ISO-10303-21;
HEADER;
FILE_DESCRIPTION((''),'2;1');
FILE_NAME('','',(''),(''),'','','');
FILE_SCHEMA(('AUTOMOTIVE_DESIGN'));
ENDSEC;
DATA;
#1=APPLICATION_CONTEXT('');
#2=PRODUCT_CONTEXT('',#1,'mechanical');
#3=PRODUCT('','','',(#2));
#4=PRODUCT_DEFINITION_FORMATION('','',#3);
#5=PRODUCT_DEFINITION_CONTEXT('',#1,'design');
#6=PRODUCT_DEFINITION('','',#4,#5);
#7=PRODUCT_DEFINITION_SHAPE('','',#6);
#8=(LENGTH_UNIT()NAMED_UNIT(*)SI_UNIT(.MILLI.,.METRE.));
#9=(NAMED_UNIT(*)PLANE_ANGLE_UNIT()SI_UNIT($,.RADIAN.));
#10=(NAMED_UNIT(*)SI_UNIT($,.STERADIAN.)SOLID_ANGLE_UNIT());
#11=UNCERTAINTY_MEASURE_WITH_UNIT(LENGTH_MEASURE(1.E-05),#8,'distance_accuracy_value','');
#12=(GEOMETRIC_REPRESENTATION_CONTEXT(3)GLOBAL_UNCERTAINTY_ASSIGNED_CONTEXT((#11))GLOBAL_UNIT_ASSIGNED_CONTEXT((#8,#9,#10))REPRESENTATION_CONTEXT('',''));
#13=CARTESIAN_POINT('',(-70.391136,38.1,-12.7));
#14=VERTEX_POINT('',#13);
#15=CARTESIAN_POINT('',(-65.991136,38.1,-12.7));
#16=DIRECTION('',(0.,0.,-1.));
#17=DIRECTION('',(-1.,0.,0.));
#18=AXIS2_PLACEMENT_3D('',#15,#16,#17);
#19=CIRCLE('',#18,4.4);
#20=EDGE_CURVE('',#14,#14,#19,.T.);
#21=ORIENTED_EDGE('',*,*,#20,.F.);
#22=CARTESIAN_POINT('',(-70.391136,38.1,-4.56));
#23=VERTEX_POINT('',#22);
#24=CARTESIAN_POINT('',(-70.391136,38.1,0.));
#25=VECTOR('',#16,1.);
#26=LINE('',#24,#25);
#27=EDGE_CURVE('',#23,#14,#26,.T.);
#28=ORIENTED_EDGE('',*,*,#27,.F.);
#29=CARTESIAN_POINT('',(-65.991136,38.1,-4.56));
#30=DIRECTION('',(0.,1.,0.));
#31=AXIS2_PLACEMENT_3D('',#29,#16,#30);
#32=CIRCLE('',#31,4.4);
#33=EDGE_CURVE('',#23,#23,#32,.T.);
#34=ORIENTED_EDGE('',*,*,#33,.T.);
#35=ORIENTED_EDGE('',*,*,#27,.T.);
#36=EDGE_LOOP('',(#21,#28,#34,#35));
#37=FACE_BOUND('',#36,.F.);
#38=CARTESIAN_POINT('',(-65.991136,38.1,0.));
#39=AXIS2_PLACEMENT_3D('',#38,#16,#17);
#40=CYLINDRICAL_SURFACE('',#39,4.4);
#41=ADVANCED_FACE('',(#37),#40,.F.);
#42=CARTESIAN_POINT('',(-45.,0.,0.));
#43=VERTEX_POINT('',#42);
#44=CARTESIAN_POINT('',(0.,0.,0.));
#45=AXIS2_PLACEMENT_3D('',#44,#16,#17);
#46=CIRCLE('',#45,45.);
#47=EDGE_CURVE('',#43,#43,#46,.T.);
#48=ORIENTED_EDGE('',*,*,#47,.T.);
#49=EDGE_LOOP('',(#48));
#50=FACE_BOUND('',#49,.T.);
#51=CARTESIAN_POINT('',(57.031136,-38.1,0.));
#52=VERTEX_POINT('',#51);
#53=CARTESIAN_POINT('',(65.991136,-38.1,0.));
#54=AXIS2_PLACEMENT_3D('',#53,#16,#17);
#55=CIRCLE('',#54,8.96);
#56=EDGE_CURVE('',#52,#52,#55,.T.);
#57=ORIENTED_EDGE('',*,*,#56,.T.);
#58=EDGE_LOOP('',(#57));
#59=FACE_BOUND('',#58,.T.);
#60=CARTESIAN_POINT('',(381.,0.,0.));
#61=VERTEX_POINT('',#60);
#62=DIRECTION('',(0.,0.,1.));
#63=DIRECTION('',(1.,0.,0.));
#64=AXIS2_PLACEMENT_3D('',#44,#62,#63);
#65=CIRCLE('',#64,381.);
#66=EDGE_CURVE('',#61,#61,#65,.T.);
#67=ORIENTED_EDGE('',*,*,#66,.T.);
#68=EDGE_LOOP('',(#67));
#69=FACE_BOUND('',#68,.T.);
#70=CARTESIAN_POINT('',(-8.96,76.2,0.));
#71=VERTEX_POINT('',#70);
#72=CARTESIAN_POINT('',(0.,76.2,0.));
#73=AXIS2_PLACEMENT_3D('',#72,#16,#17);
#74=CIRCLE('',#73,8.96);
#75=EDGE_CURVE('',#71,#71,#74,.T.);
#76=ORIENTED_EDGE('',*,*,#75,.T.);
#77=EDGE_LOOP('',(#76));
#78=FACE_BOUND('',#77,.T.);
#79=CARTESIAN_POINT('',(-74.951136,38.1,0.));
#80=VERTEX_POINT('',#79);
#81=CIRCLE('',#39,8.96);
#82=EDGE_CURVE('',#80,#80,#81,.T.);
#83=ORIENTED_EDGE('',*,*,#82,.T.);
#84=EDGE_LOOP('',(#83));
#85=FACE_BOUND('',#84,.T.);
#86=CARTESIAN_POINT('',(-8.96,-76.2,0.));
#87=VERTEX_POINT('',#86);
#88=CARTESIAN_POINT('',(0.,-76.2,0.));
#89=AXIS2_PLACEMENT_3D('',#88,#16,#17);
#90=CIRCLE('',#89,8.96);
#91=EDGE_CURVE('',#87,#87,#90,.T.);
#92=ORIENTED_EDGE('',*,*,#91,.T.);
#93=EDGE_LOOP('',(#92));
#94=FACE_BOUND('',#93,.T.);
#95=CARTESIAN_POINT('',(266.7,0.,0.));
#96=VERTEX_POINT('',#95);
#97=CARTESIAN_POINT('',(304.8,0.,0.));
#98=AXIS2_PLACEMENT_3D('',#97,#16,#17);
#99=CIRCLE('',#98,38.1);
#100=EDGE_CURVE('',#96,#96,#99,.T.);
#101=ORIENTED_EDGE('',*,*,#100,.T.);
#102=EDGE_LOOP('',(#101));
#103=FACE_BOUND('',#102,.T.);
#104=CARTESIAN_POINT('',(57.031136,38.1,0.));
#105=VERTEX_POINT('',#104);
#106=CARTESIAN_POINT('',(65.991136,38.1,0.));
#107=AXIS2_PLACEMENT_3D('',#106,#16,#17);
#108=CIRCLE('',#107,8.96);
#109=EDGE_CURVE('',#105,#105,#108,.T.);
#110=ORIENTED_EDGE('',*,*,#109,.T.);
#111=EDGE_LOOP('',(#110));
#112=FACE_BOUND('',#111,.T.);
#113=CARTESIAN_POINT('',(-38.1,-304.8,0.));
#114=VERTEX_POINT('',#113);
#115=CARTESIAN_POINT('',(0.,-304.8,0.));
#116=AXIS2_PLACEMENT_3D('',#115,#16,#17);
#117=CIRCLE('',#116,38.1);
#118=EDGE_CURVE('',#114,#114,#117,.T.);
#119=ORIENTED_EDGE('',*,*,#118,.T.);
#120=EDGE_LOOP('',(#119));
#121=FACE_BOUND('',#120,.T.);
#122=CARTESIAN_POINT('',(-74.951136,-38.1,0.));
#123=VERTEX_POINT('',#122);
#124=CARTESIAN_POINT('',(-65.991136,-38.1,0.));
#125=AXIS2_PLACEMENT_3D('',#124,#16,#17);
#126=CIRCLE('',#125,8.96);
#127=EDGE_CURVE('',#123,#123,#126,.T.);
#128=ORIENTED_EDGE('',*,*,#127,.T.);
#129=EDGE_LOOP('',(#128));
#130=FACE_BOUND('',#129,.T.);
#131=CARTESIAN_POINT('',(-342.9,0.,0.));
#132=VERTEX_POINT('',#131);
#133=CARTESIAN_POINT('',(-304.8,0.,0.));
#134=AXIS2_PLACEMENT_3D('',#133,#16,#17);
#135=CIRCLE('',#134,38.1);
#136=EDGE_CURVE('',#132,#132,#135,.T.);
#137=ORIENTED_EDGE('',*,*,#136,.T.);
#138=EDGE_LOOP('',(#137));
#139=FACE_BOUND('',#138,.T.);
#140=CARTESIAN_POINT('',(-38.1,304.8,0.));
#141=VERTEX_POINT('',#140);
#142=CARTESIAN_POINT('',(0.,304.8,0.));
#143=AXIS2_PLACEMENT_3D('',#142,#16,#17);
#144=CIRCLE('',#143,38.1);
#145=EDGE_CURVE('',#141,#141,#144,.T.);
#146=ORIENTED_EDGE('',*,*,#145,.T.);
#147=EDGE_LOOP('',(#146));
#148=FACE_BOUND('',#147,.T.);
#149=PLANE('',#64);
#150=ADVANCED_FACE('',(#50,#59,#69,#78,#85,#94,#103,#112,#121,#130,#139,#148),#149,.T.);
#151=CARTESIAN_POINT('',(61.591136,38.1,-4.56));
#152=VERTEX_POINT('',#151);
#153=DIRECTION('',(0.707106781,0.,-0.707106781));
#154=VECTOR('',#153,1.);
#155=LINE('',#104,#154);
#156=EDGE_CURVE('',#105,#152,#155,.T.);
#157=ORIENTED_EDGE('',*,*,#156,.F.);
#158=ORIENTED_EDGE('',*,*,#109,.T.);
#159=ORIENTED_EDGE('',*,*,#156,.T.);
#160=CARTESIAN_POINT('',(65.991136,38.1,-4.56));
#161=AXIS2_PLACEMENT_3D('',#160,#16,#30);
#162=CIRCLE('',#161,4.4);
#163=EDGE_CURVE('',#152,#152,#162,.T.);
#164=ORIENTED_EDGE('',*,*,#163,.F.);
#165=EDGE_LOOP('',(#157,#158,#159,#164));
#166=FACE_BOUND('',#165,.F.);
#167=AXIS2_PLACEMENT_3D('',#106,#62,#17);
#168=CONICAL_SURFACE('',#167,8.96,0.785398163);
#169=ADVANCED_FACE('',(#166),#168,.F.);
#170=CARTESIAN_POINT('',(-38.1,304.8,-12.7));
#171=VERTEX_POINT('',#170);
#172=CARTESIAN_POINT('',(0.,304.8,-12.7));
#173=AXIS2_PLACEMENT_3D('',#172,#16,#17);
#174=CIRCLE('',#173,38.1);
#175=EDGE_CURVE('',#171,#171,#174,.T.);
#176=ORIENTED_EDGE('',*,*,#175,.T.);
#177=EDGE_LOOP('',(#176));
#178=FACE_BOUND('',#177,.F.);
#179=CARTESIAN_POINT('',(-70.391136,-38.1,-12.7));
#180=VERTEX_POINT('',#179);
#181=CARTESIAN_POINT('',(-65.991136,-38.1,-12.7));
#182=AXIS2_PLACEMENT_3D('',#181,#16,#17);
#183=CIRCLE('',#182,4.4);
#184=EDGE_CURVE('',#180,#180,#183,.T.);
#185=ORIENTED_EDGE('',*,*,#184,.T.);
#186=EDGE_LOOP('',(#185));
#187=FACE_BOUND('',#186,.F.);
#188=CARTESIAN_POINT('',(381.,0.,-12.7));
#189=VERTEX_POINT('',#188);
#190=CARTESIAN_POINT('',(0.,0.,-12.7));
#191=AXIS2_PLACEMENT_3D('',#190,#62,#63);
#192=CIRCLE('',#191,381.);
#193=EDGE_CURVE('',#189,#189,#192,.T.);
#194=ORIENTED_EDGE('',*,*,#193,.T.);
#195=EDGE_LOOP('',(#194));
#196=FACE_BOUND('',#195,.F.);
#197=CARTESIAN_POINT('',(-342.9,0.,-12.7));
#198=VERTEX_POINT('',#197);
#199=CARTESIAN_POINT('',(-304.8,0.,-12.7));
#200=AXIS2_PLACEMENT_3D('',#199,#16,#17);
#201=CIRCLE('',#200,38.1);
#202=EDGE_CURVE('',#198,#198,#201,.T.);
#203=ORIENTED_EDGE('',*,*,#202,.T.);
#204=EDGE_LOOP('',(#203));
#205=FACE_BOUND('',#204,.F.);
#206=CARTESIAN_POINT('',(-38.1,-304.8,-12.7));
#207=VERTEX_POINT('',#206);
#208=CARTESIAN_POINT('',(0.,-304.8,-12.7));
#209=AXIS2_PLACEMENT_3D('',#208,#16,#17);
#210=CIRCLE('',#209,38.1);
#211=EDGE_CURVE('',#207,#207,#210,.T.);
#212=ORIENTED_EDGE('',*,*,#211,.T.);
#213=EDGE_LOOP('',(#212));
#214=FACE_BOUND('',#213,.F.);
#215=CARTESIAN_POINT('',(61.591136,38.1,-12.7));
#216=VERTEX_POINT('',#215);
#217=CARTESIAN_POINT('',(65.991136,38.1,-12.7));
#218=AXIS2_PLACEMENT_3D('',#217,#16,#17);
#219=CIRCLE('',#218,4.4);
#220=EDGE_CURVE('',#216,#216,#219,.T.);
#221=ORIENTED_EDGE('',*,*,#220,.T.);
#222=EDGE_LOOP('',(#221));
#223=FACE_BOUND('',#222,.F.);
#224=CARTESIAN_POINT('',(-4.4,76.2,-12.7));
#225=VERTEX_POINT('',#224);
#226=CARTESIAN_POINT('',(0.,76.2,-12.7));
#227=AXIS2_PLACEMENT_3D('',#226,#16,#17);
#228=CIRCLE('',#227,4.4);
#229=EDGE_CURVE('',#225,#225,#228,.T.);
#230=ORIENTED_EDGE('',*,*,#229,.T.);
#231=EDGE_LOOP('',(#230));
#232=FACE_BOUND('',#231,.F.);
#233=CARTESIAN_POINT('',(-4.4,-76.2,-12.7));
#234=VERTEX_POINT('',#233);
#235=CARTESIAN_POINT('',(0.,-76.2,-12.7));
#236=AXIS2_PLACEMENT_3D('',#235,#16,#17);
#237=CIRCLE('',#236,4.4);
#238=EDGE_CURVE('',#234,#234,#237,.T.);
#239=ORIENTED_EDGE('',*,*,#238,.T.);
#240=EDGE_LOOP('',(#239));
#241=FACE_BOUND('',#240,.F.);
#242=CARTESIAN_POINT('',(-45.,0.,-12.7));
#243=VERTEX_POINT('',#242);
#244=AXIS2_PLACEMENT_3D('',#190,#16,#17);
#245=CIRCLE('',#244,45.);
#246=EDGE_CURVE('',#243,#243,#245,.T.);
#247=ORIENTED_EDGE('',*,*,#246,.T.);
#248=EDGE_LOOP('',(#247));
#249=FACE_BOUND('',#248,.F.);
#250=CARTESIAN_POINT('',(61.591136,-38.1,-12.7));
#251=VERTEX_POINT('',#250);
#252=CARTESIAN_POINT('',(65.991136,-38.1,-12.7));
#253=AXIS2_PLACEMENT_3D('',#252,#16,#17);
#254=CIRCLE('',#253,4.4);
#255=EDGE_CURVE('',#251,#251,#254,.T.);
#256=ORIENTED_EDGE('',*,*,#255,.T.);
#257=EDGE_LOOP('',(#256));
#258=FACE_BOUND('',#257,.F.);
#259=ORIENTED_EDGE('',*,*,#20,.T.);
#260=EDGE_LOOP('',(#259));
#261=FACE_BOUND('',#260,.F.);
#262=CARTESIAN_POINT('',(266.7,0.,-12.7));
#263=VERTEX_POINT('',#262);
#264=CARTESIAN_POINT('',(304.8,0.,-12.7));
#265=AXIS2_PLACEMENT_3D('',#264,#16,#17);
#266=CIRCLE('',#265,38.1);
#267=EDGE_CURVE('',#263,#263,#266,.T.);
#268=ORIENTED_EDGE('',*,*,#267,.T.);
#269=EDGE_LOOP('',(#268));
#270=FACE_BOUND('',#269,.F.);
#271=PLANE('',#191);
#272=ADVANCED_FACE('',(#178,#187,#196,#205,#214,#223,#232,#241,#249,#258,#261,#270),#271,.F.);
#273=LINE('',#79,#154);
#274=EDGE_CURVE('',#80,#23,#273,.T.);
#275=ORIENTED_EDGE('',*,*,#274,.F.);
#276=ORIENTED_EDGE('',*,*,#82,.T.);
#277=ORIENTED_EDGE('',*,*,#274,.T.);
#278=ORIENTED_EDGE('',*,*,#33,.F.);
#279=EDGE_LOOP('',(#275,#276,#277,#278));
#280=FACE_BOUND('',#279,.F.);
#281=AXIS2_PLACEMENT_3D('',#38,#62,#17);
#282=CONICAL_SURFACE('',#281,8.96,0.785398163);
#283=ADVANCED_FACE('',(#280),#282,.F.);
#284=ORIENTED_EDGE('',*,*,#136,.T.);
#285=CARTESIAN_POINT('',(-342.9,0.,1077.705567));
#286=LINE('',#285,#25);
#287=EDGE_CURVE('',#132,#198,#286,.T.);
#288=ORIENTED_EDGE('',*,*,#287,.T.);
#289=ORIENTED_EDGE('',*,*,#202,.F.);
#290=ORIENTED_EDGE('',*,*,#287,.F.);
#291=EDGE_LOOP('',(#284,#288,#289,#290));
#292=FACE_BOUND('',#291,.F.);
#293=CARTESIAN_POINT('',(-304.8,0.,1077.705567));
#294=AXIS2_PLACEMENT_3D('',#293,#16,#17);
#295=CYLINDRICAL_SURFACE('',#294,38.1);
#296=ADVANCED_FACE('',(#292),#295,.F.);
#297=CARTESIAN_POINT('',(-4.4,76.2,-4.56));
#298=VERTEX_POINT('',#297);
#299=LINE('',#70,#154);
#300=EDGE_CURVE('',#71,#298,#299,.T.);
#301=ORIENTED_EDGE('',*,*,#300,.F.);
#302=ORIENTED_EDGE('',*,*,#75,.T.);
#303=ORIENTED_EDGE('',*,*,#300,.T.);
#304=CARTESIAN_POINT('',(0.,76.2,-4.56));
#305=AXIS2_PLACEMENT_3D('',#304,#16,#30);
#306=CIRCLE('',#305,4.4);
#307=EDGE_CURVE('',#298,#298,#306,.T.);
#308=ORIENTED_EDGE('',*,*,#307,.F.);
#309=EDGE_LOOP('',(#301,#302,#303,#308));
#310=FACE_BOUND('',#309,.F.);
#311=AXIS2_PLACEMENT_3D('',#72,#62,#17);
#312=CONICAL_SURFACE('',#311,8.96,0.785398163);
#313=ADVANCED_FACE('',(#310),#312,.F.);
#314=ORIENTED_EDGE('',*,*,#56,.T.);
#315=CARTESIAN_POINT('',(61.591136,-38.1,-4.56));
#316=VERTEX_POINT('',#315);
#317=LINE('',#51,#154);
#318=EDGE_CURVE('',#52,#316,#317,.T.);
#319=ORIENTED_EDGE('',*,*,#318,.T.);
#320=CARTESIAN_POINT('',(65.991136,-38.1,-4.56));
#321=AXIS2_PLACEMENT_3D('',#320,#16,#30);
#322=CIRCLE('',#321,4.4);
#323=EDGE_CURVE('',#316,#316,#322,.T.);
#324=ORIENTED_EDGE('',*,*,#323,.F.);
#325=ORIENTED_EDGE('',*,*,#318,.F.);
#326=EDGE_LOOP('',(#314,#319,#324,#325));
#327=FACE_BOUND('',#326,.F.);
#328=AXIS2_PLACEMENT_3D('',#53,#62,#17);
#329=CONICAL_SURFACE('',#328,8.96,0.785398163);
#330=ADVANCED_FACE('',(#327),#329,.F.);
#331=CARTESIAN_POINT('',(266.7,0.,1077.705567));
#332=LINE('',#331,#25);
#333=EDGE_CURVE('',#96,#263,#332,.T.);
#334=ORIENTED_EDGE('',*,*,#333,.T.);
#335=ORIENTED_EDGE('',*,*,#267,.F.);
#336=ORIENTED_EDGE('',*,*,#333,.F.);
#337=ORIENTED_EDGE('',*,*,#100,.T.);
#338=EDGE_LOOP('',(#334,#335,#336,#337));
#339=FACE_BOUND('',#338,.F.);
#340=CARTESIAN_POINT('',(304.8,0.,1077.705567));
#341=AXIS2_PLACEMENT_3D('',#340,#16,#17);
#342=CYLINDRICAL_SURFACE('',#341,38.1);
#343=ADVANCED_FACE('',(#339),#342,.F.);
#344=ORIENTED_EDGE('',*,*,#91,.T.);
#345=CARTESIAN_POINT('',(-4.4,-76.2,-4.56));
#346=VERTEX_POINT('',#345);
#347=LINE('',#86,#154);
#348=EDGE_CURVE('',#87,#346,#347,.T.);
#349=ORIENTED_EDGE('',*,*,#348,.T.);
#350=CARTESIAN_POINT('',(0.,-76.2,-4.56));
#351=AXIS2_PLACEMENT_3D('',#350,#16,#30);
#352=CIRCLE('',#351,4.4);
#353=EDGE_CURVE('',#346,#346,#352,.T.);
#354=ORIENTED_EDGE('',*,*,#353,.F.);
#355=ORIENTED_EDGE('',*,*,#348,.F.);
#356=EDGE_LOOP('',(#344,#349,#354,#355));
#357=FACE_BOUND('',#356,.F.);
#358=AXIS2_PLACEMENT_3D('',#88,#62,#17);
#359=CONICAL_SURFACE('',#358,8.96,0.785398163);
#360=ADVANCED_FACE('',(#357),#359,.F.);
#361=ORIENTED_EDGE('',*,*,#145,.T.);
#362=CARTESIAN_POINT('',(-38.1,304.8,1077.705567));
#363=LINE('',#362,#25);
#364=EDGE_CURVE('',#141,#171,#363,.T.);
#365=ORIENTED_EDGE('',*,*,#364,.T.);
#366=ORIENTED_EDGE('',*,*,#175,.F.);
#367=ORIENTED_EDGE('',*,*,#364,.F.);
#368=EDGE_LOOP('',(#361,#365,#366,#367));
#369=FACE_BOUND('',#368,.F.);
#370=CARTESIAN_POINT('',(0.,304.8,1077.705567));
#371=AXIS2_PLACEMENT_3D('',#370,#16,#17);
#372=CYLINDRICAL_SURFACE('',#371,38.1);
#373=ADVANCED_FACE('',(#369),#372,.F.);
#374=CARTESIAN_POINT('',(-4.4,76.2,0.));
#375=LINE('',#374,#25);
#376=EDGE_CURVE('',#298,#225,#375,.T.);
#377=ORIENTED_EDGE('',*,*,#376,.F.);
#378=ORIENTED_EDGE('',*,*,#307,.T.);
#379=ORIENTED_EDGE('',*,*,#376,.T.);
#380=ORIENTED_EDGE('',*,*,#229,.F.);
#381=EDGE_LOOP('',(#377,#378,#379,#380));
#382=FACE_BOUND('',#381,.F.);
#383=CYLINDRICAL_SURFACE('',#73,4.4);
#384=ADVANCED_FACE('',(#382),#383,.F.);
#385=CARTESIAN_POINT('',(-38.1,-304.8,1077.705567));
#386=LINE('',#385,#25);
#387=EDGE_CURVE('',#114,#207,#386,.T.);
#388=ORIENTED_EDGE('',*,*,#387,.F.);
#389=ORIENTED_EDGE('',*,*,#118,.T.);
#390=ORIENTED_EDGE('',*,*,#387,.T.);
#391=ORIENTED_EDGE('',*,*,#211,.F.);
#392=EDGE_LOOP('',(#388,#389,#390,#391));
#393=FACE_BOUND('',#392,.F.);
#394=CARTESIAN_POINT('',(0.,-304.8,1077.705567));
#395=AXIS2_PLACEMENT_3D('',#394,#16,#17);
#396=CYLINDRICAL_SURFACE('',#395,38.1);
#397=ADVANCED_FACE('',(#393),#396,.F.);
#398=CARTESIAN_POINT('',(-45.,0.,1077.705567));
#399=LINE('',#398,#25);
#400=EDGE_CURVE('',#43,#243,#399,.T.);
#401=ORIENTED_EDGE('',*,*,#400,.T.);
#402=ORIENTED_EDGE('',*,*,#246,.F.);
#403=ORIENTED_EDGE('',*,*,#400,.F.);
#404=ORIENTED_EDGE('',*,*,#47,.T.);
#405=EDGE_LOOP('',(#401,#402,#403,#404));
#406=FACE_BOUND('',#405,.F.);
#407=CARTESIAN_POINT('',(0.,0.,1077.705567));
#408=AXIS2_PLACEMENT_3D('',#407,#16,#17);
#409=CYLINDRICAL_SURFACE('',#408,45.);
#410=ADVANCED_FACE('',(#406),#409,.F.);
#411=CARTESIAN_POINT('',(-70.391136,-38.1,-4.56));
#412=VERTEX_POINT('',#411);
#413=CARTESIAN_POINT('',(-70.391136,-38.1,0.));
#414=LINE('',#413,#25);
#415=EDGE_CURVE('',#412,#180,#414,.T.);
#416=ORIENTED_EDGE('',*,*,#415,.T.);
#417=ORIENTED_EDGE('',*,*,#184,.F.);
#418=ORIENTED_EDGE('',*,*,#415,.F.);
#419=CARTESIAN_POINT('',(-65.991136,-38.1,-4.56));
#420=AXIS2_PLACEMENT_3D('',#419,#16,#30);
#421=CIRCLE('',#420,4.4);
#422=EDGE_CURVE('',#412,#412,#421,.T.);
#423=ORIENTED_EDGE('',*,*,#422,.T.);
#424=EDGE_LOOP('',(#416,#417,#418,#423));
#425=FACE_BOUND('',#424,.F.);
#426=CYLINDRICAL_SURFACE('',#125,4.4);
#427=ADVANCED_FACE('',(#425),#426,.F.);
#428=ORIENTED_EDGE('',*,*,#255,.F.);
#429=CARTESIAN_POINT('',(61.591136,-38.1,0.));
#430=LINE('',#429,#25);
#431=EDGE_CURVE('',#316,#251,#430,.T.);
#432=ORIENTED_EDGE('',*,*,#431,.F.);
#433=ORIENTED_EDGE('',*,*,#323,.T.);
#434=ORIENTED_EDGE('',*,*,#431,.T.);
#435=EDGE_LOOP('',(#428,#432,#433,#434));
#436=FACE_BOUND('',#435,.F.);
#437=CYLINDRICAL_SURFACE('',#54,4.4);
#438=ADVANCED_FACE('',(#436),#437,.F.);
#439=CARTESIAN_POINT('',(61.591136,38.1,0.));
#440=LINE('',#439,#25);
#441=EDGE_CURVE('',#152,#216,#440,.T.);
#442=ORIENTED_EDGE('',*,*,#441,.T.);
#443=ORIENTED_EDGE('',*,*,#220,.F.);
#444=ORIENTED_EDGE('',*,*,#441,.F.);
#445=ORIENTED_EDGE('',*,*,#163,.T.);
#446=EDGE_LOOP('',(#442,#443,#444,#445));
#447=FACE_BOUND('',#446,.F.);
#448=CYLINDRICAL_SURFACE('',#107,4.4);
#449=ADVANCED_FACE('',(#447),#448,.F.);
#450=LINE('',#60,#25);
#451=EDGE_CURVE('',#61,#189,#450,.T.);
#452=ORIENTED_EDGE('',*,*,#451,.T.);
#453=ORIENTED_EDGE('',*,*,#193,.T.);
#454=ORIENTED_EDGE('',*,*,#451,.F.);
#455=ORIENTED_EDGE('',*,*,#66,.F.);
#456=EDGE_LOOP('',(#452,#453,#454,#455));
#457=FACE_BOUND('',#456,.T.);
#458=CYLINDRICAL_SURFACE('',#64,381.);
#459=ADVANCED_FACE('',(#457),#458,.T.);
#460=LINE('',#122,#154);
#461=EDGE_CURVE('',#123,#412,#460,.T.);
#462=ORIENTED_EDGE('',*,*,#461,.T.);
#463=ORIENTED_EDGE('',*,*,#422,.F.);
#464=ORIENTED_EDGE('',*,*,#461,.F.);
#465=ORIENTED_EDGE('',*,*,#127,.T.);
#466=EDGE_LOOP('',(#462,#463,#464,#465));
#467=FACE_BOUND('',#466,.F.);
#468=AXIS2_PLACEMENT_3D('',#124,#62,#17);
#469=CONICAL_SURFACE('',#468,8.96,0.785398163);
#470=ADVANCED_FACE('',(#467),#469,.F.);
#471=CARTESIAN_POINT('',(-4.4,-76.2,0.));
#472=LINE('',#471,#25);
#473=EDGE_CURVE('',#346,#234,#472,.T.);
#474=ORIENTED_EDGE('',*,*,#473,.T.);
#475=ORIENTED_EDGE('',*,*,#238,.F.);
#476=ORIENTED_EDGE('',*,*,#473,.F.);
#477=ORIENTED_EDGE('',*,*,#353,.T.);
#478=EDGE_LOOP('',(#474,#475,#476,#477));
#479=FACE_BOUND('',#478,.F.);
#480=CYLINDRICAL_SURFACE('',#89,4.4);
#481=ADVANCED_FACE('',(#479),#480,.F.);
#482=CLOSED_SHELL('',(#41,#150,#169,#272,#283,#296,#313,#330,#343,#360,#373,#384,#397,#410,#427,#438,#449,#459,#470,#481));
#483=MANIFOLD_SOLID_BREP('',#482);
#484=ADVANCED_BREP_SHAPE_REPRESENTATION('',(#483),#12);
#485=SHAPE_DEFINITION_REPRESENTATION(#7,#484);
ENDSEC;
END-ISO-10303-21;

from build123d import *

# Parameters (mm, degrees)
F0_R           = 381
F1_DEPTH       = 12.7
F3_D           = 90
F5_D           = 8.8
F5_CSINK_D     = 17.92
F5_CSINK_ANGLE = 90
F7_D           = 76.2


with BuildPart() as f1:
    # F0 (on Top) → F1 (new body)
    with BuildSketch(Plane.XY):
        Circle(F0_R)
    extrude(amount=-F1_DEPTH)

    # F3 (through all)
    with Locations(Plane.XY):
        with Locations((0, 0)):
            Hole(F3_D / 2)

    # F5 (through all)
    with Locations(Plane.XY):
        with Locations((0, 76.2), (65.9911357684, 38.1), (65.9911357684, -38.1), (0, -76.2), (-65.9911357684, -38.1), (-65.9911357684, 38.1)):
            CounterSinkHole(F5_D / 2, F5_CSINK_D / 2, counter_sink_angle=F5_CSINK_ANGLE)

    # F7 (through all)
    with Locations(Plane.XY):
        with Locations((0, 304.8), (304.8, 0), (0, -304.8), (-304.8, 0)):
            Hole(F7_D / 2)


solid = f1.part
